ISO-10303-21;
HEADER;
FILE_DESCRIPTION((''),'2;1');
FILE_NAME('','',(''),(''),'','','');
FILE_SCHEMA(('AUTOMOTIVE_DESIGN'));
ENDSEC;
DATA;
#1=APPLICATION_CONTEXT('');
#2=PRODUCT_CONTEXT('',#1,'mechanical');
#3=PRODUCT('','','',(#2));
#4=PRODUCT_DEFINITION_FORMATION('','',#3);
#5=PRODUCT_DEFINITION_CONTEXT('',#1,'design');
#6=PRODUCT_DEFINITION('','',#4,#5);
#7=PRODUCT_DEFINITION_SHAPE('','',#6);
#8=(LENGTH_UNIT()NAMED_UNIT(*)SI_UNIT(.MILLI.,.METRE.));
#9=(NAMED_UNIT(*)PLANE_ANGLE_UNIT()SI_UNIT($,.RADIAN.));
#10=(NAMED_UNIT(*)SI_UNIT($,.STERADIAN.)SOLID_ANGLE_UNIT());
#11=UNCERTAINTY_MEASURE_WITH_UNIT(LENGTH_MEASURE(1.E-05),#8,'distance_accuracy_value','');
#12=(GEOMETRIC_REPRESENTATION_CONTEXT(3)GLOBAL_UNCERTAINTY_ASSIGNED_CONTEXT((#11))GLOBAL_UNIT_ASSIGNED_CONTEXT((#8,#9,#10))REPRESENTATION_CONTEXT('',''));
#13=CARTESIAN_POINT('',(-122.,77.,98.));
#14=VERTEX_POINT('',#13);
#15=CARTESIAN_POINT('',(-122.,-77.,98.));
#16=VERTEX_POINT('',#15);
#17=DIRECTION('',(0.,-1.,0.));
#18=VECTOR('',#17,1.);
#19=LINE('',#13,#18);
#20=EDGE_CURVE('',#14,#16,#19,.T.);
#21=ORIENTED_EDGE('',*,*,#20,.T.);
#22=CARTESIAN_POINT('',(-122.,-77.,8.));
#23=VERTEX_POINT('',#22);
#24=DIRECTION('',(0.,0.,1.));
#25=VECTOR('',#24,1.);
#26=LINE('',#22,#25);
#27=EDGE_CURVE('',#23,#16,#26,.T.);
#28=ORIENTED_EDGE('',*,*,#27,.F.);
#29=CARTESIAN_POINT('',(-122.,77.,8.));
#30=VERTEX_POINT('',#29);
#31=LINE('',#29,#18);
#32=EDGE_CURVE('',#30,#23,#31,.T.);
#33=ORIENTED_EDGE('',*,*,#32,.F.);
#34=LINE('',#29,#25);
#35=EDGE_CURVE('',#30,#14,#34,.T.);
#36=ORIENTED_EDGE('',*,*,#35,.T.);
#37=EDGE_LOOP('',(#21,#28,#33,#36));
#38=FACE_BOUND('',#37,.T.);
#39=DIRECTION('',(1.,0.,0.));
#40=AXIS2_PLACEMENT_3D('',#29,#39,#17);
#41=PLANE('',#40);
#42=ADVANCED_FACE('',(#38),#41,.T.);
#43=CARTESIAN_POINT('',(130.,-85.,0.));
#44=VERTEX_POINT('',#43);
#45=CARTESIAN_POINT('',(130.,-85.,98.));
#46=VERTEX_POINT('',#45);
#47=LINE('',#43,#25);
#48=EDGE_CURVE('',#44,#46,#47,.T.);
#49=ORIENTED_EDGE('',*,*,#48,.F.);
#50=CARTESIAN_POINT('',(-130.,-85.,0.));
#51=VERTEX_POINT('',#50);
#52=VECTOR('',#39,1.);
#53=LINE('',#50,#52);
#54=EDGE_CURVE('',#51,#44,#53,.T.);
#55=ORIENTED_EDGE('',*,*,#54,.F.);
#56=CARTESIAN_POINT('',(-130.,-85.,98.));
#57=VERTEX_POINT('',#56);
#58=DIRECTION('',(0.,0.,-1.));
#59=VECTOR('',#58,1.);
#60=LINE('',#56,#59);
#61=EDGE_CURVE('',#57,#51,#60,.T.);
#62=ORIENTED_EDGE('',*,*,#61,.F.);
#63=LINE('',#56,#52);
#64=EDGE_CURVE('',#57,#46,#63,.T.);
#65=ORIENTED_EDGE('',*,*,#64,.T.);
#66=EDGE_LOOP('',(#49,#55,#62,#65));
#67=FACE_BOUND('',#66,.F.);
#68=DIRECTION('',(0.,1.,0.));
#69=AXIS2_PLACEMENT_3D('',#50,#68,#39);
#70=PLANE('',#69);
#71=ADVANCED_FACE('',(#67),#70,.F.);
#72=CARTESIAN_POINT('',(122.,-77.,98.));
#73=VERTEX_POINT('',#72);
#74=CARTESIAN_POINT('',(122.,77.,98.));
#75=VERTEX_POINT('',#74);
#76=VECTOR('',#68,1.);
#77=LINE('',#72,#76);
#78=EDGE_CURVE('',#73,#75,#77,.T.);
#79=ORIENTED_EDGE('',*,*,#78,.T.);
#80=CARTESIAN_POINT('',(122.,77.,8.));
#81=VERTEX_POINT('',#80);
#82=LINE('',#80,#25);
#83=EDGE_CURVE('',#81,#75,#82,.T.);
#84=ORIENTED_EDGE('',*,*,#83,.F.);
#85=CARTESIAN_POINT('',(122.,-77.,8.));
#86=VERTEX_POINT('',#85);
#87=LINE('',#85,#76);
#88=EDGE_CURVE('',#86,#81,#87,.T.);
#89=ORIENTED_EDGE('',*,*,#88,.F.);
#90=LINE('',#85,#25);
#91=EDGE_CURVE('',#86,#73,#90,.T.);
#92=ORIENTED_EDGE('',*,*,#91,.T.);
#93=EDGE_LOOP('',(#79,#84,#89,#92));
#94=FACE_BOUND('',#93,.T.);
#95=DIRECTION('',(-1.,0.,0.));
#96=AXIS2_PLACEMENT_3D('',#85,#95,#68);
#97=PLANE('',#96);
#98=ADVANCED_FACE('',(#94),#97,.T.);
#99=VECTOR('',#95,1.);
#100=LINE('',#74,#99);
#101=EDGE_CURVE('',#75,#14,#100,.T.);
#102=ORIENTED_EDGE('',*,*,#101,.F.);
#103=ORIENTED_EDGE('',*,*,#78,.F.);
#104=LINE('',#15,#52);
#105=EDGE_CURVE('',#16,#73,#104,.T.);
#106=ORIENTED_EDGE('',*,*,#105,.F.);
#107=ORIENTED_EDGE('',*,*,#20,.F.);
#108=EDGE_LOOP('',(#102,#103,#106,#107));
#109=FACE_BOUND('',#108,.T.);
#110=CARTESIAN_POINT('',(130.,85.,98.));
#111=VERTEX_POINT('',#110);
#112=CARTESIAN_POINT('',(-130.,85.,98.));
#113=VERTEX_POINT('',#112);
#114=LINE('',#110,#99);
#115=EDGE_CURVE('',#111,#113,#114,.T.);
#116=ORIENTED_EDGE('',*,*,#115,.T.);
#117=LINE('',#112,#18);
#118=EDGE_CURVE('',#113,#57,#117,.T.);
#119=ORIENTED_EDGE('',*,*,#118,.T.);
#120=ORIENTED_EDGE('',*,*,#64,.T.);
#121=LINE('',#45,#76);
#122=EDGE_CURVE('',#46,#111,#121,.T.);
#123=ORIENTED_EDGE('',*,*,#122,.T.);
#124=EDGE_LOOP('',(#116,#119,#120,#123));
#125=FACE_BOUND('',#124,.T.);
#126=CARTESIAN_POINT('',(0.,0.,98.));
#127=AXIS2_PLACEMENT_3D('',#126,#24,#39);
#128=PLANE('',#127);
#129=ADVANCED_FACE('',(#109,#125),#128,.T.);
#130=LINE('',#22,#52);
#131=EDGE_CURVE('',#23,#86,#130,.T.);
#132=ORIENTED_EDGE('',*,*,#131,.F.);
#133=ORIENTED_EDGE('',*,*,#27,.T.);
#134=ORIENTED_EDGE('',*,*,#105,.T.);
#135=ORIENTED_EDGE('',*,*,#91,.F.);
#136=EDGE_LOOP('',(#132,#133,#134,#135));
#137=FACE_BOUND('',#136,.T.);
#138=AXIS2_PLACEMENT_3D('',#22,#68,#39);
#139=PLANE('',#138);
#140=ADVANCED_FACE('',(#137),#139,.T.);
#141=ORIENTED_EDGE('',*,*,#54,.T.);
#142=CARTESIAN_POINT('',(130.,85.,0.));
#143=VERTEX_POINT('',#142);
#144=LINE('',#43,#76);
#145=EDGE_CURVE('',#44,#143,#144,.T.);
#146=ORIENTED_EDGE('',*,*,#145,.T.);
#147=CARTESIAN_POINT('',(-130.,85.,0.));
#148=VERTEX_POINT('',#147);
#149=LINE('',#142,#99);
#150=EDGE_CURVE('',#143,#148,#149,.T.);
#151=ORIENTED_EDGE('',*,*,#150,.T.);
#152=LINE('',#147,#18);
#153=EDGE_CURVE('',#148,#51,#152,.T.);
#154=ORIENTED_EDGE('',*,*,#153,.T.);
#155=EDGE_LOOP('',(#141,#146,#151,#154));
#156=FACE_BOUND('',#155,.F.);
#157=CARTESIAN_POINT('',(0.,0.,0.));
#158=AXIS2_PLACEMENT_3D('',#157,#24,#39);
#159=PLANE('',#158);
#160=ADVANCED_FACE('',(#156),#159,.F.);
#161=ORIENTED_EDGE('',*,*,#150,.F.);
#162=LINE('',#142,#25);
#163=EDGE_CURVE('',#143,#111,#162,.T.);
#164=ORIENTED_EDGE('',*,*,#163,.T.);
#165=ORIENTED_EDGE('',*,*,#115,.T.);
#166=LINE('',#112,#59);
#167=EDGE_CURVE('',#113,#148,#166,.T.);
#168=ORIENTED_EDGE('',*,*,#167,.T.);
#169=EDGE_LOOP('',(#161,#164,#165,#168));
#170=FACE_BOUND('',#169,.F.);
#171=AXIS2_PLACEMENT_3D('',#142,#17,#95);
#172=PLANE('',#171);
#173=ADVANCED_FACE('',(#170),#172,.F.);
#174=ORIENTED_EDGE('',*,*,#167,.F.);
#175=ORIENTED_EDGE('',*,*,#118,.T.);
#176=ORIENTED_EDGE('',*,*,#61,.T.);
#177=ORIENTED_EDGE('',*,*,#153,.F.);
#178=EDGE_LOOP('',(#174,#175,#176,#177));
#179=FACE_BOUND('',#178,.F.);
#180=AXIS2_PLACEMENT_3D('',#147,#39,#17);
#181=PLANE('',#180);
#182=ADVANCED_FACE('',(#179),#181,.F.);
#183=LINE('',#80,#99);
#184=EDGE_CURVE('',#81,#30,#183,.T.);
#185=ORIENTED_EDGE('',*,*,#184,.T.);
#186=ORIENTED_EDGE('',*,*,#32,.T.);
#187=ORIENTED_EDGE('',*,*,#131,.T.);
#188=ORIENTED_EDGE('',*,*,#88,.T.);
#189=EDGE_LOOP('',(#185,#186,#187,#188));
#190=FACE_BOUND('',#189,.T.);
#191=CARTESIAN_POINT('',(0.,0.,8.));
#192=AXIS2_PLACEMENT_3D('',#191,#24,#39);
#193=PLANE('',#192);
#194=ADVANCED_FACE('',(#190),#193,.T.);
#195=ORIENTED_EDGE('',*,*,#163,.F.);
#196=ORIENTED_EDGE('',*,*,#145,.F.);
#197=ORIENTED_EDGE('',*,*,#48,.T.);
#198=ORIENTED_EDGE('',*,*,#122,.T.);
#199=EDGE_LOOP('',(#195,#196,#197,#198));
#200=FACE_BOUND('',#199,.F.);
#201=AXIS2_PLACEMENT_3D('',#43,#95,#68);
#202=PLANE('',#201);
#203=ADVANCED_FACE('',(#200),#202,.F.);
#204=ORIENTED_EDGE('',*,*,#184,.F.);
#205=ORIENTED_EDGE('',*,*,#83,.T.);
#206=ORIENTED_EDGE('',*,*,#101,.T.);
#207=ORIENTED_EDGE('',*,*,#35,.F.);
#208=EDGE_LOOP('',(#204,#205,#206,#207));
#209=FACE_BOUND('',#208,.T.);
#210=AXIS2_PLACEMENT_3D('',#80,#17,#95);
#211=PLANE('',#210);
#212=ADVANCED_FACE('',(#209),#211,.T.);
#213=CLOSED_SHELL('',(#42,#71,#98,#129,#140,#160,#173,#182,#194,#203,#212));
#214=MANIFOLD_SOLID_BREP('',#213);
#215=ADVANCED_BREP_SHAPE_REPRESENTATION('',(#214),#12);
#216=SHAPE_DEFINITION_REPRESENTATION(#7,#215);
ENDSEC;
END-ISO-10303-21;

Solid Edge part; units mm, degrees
sketch "Sketch1" plane through (0, 0, 0) normal (0, 0, 1) x (1, 0, 0)
  line L0 (-130, -85) -> (130, -85)
  line L1 (130, -85) -> (130, 85)
  line L2 (130, 85) -> (-130, 85)
  line L3 (-130, 85) -> (-130, -85)
  dimension "D1" = 260
  dimension "D2" = 170
extrude "Protrusion1" add sketch "Sketch1" along normal blind 8
sketch "Sketch2" plane through (0, 0, 8) normal (0, 0, 1) x (1, 0, 0)
  line L0 (-122, -77) -> (122, -77)
  line L1 (122, -77) -> (122, 77)
  line L2 (122, 77) -> (-122, 77)
  line L3 (-122, 77) -> (-122, -77)
  line L4 (130, 85) -> (-130, 85)
  line L5 (-130, 85) -> (-130, -85)
  line L6 (-130, -85) -> (130, -85)
  line L7 (130, -85) -> (130, 85)
  dimension "D1" = 8
  dimension "D2" = 8
extrude "Ausprägung_2" add sketch "Sketch2" along normal blind 90
